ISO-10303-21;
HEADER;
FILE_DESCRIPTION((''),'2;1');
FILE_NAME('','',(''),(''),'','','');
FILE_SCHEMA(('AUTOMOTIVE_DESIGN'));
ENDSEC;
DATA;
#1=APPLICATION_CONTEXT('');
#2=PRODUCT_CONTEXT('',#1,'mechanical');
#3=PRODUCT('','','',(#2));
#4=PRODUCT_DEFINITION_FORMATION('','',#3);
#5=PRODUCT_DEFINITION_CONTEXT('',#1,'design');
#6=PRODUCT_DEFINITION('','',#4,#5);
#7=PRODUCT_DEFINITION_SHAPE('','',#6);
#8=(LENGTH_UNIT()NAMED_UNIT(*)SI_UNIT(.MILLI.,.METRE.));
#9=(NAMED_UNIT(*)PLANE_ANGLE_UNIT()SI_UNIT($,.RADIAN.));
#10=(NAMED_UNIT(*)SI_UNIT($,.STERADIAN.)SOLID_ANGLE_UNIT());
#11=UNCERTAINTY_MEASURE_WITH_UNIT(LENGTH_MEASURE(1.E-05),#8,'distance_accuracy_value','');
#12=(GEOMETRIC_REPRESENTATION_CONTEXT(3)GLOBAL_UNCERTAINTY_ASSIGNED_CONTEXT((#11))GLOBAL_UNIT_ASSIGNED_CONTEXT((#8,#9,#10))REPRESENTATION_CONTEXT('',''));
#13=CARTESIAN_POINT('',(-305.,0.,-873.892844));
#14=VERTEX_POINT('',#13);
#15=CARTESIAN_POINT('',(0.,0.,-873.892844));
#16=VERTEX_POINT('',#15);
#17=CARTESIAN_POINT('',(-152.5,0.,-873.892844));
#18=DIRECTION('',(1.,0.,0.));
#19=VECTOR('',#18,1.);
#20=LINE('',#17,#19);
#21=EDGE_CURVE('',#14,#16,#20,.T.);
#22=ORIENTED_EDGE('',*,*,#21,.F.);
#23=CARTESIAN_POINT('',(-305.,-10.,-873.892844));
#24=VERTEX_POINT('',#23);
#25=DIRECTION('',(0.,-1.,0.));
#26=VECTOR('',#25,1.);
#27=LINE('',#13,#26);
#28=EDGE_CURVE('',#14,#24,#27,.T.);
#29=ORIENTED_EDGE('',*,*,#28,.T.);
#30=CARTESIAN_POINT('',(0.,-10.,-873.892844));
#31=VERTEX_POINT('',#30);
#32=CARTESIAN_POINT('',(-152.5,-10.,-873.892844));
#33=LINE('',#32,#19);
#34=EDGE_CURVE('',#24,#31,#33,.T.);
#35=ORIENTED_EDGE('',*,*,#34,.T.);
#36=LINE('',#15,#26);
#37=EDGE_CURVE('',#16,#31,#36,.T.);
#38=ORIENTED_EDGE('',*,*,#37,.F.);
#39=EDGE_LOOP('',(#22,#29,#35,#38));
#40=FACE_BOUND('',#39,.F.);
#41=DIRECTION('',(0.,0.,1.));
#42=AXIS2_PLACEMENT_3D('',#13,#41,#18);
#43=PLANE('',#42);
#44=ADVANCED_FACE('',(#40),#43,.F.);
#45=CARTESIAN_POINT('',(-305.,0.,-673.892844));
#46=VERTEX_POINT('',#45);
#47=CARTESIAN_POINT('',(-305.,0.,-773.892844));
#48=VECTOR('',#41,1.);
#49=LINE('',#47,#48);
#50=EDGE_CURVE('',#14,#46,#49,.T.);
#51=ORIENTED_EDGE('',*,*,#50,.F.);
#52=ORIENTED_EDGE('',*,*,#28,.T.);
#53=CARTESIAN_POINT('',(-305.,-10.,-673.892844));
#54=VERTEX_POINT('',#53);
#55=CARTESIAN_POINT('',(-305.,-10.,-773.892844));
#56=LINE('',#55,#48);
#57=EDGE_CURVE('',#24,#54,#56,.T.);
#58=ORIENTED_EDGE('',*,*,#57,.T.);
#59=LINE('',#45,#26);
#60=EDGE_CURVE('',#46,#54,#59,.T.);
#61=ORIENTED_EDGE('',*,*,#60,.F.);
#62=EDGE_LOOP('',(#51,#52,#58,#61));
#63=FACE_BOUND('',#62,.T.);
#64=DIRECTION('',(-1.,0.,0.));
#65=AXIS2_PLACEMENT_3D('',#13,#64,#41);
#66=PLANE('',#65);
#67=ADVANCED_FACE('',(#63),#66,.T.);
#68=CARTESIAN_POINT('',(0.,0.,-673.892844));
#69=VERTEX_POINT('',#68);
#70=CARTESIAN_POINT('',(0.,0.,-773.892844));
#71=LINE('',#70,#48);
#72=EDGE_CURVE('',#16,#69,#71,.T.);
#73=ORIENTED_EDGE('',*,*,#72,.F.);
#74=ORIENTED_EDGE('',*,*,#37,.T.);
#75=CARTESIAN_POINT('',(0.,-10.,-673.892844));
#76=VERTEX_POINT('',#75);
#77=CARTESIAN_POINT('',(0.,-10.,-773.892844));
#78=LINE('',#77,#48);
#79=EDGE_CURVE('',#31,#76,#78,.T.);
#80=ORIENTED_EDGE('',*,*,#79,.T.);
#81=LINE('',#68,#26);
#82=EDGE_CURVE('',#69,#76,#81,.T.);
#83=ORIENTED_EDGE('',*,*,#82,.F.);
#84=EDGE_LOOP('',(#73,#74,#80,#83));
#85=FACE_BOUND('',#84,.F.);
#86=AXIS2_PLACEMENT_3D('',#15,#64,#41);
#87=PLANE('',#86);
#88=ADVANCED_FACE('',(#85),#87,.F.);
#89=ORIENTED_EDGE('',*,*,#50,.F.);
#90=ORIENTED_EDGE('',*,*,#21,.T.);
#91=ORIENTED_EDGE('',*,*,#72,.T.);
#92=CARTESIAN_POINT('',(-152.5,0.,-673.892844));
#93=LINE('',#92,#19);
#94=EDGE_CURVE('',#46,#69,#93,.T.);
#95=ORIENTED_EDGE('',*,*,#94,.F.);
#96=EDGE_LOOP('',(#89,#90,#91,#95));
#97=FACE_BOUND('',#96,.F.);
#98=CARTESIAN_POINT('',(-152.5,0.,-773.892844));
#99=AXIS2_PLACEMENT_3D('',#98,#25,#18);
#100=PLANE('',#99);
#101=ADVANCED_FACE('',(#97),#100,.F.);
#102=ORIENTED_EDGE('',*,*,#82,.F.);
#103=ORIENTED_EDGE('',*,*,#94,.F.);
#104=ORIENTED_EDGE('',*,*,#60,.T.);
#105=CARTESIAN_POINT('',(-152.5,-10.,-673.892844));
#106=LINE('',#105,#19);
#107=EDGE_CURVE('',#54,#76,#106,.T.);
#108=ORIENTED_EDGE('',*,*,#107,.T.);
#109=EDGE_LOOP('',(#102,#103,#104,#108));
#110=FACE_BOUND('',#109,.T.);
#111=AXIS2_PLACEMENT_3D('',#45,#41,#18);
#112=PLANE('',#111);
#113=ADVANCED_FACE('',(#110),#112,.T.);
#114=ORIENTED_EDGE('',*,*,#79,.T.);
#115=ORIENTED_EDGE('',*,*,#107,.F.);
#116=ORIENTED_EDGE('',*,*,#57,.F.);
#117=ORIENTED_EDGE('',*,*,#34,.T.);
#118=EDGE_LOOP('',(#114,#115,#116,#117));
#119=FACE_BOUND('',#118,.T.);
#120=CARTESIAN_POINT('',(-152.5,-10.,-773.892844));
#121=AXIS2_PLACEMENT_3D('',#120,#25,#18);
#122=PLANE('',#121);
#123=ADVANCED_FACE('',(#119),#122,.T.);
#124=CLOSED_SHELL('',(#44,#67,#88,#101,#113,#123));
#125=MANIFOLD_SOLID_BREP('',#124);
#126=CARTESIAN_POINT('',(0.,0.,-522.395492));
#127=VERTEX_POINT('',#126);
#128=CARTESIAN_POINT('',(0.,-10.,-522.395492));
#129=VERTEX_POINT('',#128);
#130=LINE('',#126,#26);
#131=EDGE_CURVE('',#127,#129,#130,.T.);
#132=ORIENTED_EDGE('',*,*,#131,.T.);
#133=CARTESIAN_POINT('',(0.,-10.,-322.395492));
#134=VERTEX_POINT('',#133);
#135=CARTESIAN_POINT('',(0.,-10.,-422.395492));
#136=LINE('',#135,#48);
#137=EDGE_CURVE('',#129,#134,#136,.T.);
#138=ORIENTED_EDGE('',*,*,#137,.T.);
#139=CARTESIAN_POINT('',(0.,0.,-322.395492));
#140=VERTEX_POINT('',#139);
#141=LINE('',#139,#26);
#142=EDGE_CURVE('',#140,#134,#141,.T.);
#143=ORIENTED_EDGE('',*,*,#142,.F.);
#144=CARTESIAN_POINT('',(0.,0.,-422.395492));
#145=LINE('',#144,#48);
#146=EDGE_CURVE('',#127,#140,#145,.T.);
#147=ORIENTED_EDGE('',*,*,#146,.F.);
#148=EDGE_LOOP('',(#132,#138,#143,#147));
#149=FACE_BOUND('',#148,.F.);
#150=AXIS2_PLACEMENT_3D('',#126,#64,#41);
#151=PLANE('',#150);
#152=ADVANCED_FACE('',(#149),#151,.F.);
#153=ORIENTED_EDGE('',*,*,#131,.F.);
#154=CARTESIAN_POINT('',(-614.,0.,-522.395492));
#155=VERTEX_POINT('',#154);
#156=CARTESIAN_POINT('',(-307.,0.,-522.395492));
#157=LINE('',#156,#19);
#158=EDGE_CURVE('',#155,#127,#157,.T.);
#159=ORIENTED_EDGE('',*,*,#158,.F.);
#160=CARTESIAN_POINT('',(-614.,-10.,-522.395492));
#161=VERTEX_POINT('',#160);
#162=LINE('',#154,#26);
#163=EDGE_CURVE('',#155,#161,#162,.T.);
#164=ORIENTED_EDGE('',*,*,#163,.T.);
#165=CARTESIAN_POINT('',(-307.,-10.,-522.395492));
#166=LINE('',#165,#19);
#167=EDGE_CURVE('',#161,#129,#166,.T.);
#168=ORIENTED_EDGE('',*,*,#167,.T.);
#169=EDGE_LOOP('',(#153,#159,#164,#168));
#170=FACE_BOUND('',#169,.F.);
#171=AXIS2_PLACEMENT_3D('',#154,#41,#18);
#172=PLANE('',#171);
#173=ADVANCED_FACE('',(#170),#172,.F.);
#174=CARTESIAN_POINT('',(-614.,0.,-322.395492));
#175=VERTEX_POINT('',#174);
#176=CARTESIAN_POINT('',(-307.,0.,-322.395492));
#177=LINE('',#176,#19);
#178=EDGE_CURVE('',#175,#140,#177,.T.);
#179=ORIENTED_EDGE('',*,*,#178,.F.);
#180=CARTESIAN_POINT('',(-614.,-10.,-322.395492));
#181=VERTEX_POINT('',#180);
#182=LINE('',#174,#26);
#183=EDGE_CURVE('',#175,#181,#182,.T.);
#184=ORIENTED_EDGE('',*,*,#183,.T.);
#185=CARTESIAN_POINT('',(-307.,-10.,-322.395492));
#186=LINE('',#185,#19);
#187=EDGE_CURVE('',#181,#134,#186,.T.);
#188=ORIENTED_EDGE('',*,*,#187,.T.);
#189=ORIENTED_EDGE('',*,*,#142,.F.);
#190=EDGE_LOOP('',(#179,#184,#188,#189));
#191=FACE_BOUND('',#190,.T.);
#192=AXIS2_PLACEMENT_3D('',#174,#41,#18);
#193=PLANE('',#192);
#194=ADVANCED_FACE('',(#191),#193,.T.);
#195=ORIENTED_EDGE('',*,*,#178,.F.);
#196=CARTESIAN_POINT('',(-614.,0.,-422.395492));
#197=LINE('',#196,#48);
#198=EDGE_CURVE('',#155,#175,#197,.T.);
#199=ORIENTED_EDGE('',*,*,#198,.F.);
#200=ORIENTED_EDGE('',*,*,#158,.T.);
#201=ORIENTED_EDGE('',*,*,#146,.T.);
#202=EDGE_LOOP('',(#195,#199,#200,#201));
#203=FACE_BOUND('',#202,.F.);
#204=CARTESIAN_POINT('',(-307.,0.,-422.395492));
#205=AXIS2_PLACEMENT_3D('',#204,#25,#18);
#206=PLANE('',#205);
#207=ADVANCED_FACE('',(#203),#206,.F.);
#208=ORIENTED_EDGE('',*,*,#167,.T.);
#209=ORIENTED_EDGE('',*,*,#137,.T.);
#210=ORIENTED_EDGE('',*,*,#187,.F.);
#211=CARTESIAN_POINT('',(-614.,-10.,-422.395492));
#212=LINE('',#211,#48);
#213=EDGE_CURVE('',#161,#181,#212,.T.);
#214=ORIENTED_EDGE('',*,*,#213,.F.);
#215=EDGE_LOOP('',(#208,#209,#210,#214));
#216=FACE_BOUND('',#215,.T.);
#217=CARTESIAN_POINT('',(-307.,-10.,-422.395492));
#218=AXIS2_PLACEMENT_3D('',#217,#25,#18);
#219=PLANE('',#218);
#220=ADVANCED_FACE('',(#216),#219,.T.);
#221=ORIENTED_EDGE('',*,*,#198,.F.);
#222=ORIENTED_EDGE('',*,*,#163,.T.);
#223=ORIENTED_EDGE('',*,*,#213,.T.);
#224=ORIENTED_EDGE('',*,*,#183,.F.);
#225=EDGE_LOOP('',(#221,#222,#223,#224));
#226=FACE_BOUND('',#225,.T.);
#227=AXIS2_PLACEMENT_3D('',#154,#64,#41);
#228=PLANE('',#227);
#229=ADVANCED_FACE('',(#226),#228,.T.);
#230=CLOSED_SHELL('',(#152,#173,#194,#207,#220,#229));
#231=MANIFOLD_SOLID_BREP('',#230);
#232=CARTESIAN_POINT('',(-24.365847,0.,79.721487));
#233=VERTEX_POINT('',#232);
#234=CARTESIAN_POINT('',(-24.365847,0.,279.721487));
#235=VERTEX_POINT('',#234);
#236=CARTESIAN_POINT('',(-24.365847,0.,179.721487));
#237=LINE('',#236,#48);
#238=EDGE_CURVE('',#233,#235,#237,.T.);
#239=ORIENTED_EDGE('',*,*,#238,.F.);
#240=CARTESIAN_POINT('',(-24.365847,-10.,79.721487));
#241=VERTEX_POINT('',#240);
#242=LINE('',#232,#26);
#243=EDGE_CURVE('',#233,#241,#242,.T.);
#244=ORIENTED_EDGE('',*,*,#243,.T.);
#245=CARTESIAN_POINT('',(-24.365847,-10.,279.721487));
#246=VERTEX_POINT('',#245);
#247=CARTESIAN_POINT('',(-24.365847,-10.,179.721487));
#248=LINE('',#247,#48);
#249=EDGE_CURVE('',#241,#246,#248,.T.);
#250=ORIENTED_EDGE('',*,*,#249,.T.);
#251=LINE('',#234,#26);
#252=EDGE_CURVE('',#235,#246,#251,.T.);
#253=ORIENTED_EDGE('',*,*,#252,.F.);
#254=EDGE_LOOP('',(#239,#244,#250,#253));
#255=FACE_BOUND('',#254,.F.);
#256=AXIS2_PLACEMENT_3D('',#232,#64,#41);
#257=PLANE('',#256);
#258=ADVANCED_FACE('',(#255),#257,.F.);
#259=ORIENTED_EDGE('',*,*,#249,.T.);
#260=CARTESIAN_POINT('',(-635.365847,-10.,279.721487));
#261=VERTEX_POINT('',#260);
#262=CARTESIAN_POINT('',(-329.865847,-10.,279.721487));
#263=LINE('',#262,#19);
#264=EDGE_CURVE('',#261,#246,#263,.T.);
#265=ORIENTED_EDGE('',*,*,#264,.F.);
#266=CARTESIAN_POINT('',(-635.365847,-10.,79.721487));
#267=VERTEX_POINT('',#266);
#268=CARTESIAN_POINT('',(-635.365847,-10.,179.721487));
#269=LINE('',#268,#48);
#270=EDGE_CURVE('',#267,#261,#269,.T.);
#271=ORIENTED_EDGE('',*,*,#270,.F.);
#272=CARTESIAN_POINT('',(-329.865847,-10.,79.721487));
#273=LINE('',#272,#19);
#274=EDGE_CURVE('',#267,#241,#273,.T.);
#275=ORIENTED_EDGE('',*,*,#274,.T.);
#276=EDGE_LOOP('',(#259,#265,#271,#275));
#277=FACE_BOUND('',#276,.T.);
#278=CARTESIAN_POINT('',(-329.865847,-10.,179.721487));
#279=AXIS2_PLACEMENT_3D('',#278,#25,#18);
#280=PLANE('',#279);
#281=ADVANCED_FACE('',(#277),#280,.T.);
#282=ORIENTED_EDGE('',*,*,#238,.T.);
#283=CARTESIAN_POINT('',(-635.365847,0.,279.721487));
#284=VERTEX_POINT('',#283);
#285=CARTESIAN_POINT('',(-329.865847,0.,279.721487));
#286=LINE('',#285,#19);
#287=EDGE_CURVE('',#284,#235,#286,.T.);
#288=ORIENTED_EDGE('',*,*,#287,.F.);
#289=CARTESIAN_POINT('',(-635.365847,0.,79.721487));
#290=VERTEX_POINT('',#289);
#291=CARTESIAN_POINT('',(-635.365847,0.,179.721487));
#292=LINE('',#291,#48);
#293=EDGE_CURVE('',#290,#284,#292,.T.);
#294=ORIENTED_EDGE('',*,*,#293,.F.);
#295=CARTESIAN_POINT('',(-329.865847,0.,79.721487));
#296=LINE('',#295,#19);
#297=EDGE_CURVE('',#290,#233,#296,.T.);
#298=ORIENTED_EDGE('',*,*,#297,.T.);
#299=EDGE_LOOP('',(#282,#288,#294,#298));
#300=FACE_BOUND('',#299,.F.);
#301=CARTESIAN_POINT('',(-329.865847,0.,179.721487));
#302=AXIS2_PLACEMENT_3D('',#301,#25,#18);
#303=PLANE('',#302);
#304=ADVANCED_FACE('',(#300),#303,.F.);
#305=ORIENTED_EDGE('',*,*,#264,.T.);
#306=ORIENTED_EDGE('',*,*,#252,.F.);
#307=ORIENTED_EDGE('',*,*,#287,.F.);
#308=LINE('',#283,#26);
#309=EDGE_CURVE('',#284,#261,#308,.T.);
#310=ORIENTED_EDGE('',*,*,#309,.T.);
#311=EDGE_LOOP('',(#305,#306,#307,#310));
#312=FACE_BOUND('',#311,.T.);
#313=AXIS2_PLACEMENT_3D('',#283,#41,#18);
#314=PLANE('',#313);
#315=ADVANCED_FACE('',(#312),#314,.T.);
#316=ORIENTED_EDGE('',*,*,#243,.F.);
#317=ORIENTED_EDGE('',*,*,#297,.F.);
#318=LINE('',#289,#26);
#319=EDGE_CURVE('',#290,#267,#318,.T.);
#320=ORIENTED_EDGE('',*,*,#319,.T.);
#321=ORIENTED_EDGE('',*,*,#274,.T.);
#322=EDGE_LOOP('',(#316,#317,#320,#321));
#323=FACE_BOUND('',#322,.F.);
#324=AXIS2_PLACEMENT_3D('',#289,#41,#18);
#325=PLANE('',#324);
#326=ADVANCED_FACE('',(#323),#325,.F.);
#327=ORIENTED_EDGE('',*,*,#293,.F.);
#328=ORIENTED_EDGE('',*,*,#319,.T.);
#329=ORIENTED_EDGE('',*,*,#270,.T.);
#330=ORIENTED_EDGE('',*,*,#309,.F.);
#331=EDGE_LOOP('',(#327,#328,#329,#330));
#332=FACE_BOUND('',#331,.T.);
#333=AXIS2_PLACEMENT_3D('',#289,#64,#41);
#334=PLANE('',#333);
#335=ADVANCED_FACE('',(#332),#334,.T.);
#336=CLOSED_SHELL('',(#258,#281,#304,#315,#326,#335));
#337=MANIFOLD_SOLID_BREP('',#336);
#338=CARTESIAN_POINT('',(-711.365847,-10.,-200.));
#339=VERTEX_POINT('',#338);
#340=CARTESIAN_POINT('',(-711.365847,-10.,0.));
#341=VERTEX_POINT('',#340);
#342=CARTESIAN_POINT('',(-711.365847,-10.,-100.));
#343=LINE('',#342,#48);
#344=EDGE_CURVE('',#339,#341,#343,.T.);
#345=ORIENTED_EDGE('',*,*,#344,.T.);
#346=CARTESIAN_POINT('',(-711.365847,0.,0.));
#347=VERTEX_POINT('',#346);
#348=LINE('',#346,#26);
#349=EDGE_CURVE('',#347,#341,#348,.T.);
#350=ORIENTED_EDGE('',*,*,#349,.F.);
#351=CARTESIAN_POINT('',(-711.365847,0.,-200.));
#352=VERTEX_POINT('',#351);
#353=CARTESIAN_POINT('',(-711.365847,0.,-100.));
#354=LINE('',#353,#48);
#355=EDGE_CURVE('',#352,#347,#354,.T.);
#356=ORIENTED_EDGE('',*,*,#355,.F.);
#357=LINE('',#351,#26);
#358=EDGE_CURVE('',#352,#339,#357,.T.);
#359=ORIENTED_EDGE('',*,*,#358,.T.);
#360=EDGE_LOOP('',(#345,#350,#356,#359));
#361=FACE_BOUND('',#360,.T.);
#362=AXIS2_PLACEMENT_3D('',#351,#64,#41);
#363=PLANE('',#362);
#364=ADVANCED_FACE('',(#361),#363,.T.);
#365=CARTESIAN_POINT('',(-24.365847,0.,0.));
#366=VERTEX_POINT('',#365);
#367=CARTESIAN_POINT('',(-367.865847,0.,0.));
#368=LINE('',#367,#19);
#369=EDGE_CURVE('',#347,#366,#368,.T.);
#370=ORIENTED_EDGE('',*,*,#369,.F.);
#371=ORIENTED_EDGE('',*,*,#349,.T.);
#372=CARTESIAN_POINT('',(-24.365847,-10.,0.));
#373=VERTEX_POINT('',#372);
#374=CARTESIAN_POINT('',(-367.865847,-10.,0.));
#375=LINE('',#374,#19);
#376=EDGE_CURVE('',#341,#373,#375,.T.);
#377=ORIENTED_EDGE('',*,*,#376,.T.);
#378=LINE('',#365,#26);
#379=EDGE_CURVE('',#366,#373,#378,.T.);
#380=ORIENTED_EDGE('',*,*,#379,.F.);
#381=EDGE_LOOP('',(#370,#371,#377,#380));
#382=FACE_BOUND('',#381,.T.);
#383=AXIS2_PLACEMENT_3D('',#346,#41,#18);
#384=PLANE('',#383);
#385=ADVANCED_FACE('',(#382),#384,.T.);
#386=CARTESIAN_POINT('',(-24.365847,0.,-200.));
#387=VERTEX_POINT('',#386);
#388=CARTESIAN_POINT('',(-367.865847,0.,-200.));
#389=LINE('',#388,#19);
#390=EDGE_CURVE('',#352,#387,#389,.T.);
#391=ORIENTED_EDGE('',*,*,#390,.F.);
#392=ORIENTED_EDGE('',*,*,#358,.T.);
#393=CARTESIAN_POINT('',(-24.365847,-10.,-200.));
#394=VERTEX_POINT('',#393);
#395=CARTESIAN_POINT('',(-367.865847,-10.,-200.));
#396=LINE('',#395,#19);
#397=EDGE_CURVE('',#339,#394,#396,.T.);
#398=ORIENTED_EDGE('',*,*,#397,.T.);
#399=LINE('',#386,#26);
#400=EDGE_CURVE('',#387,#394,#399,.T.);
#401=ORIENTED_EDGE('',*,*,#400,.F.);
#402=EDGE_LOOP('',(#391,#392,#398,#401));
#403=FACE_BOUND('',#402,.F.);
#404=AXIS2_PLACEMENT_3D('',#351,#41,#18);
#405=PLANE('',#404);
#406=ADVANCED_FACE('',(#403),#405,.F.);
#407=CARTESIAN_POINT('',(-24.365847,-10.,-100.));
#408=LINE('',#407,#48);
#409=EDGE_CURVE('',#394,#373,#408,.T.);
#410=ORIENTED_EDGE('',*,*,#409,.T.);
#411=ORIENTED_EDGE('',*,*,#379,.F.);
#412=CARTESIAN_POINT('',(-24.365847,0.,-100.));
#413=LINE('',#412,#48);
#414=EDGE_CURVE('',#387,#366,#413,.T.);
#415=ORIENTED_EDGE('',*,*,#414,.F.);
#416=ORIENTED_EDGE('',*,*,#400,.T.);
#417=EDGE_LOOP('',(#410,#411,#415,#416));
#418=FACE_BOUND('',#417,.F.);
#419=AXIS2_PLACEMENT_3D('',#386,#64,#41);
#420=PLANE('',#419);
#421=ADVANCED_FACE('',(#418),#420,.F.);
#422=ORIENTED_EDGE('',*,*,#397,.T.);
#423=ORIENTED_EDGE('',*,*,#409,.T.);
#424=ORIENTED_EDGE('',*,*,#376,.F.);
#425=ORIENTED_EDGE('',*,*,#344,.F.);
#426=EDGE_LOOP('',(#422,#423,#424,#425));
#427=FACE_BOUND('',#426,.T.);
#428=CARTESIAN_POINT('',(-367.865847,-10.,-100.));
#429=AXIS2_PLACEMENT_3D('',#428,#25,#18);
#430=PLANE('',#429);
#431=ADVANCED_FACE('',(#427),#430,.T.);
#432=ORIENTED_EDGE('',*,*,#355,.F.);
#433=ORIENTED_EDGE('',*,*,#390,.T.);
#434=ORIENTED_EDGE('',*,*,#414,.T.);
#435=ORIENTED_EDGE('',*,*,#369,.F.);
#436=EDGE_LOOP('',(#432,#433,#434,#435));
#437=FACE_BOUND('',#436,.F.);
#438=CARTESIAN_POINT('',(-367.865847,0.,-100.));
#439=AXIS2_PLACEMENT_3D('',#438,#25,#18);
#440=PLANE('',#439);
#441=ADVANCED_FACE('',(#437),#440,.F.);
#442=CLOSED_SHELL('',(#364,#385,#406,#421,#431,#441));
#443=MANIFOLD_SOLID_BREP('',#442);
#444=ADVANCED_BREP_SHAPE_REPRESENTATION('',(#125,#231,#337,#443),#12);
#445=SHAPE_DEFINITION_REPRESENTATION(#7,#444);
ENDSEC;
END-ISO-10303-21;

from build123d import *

# Parameters (mm, degrees)
F0_W     = 611
F0_H     = 200
F0_W_2   = 687
F0_W_3   = 614
F0_W_4   = 305
F1_DEPTH = 10


with BuildPart() as f1:
    # F0 (on Front) → F1 (new body)
    with BuildSketch(Plane.XZ):
        with Locations((-329.865847, 179.721487)):
            Rectangle(F0_W, F0_H)
        with Locations((-367.865847, -100)):
            Rectangle(F0_W_2, F0_H)
        with Locations((-307, -422.395492)):
            Rectangle(F0_W_3, F0_H)
        with Locations((-152.5, -773.892844)):
            Rectangle(F0_W_4, F0_H)
    extrude(amount=F1_DEPTH)


solid = f1.part
